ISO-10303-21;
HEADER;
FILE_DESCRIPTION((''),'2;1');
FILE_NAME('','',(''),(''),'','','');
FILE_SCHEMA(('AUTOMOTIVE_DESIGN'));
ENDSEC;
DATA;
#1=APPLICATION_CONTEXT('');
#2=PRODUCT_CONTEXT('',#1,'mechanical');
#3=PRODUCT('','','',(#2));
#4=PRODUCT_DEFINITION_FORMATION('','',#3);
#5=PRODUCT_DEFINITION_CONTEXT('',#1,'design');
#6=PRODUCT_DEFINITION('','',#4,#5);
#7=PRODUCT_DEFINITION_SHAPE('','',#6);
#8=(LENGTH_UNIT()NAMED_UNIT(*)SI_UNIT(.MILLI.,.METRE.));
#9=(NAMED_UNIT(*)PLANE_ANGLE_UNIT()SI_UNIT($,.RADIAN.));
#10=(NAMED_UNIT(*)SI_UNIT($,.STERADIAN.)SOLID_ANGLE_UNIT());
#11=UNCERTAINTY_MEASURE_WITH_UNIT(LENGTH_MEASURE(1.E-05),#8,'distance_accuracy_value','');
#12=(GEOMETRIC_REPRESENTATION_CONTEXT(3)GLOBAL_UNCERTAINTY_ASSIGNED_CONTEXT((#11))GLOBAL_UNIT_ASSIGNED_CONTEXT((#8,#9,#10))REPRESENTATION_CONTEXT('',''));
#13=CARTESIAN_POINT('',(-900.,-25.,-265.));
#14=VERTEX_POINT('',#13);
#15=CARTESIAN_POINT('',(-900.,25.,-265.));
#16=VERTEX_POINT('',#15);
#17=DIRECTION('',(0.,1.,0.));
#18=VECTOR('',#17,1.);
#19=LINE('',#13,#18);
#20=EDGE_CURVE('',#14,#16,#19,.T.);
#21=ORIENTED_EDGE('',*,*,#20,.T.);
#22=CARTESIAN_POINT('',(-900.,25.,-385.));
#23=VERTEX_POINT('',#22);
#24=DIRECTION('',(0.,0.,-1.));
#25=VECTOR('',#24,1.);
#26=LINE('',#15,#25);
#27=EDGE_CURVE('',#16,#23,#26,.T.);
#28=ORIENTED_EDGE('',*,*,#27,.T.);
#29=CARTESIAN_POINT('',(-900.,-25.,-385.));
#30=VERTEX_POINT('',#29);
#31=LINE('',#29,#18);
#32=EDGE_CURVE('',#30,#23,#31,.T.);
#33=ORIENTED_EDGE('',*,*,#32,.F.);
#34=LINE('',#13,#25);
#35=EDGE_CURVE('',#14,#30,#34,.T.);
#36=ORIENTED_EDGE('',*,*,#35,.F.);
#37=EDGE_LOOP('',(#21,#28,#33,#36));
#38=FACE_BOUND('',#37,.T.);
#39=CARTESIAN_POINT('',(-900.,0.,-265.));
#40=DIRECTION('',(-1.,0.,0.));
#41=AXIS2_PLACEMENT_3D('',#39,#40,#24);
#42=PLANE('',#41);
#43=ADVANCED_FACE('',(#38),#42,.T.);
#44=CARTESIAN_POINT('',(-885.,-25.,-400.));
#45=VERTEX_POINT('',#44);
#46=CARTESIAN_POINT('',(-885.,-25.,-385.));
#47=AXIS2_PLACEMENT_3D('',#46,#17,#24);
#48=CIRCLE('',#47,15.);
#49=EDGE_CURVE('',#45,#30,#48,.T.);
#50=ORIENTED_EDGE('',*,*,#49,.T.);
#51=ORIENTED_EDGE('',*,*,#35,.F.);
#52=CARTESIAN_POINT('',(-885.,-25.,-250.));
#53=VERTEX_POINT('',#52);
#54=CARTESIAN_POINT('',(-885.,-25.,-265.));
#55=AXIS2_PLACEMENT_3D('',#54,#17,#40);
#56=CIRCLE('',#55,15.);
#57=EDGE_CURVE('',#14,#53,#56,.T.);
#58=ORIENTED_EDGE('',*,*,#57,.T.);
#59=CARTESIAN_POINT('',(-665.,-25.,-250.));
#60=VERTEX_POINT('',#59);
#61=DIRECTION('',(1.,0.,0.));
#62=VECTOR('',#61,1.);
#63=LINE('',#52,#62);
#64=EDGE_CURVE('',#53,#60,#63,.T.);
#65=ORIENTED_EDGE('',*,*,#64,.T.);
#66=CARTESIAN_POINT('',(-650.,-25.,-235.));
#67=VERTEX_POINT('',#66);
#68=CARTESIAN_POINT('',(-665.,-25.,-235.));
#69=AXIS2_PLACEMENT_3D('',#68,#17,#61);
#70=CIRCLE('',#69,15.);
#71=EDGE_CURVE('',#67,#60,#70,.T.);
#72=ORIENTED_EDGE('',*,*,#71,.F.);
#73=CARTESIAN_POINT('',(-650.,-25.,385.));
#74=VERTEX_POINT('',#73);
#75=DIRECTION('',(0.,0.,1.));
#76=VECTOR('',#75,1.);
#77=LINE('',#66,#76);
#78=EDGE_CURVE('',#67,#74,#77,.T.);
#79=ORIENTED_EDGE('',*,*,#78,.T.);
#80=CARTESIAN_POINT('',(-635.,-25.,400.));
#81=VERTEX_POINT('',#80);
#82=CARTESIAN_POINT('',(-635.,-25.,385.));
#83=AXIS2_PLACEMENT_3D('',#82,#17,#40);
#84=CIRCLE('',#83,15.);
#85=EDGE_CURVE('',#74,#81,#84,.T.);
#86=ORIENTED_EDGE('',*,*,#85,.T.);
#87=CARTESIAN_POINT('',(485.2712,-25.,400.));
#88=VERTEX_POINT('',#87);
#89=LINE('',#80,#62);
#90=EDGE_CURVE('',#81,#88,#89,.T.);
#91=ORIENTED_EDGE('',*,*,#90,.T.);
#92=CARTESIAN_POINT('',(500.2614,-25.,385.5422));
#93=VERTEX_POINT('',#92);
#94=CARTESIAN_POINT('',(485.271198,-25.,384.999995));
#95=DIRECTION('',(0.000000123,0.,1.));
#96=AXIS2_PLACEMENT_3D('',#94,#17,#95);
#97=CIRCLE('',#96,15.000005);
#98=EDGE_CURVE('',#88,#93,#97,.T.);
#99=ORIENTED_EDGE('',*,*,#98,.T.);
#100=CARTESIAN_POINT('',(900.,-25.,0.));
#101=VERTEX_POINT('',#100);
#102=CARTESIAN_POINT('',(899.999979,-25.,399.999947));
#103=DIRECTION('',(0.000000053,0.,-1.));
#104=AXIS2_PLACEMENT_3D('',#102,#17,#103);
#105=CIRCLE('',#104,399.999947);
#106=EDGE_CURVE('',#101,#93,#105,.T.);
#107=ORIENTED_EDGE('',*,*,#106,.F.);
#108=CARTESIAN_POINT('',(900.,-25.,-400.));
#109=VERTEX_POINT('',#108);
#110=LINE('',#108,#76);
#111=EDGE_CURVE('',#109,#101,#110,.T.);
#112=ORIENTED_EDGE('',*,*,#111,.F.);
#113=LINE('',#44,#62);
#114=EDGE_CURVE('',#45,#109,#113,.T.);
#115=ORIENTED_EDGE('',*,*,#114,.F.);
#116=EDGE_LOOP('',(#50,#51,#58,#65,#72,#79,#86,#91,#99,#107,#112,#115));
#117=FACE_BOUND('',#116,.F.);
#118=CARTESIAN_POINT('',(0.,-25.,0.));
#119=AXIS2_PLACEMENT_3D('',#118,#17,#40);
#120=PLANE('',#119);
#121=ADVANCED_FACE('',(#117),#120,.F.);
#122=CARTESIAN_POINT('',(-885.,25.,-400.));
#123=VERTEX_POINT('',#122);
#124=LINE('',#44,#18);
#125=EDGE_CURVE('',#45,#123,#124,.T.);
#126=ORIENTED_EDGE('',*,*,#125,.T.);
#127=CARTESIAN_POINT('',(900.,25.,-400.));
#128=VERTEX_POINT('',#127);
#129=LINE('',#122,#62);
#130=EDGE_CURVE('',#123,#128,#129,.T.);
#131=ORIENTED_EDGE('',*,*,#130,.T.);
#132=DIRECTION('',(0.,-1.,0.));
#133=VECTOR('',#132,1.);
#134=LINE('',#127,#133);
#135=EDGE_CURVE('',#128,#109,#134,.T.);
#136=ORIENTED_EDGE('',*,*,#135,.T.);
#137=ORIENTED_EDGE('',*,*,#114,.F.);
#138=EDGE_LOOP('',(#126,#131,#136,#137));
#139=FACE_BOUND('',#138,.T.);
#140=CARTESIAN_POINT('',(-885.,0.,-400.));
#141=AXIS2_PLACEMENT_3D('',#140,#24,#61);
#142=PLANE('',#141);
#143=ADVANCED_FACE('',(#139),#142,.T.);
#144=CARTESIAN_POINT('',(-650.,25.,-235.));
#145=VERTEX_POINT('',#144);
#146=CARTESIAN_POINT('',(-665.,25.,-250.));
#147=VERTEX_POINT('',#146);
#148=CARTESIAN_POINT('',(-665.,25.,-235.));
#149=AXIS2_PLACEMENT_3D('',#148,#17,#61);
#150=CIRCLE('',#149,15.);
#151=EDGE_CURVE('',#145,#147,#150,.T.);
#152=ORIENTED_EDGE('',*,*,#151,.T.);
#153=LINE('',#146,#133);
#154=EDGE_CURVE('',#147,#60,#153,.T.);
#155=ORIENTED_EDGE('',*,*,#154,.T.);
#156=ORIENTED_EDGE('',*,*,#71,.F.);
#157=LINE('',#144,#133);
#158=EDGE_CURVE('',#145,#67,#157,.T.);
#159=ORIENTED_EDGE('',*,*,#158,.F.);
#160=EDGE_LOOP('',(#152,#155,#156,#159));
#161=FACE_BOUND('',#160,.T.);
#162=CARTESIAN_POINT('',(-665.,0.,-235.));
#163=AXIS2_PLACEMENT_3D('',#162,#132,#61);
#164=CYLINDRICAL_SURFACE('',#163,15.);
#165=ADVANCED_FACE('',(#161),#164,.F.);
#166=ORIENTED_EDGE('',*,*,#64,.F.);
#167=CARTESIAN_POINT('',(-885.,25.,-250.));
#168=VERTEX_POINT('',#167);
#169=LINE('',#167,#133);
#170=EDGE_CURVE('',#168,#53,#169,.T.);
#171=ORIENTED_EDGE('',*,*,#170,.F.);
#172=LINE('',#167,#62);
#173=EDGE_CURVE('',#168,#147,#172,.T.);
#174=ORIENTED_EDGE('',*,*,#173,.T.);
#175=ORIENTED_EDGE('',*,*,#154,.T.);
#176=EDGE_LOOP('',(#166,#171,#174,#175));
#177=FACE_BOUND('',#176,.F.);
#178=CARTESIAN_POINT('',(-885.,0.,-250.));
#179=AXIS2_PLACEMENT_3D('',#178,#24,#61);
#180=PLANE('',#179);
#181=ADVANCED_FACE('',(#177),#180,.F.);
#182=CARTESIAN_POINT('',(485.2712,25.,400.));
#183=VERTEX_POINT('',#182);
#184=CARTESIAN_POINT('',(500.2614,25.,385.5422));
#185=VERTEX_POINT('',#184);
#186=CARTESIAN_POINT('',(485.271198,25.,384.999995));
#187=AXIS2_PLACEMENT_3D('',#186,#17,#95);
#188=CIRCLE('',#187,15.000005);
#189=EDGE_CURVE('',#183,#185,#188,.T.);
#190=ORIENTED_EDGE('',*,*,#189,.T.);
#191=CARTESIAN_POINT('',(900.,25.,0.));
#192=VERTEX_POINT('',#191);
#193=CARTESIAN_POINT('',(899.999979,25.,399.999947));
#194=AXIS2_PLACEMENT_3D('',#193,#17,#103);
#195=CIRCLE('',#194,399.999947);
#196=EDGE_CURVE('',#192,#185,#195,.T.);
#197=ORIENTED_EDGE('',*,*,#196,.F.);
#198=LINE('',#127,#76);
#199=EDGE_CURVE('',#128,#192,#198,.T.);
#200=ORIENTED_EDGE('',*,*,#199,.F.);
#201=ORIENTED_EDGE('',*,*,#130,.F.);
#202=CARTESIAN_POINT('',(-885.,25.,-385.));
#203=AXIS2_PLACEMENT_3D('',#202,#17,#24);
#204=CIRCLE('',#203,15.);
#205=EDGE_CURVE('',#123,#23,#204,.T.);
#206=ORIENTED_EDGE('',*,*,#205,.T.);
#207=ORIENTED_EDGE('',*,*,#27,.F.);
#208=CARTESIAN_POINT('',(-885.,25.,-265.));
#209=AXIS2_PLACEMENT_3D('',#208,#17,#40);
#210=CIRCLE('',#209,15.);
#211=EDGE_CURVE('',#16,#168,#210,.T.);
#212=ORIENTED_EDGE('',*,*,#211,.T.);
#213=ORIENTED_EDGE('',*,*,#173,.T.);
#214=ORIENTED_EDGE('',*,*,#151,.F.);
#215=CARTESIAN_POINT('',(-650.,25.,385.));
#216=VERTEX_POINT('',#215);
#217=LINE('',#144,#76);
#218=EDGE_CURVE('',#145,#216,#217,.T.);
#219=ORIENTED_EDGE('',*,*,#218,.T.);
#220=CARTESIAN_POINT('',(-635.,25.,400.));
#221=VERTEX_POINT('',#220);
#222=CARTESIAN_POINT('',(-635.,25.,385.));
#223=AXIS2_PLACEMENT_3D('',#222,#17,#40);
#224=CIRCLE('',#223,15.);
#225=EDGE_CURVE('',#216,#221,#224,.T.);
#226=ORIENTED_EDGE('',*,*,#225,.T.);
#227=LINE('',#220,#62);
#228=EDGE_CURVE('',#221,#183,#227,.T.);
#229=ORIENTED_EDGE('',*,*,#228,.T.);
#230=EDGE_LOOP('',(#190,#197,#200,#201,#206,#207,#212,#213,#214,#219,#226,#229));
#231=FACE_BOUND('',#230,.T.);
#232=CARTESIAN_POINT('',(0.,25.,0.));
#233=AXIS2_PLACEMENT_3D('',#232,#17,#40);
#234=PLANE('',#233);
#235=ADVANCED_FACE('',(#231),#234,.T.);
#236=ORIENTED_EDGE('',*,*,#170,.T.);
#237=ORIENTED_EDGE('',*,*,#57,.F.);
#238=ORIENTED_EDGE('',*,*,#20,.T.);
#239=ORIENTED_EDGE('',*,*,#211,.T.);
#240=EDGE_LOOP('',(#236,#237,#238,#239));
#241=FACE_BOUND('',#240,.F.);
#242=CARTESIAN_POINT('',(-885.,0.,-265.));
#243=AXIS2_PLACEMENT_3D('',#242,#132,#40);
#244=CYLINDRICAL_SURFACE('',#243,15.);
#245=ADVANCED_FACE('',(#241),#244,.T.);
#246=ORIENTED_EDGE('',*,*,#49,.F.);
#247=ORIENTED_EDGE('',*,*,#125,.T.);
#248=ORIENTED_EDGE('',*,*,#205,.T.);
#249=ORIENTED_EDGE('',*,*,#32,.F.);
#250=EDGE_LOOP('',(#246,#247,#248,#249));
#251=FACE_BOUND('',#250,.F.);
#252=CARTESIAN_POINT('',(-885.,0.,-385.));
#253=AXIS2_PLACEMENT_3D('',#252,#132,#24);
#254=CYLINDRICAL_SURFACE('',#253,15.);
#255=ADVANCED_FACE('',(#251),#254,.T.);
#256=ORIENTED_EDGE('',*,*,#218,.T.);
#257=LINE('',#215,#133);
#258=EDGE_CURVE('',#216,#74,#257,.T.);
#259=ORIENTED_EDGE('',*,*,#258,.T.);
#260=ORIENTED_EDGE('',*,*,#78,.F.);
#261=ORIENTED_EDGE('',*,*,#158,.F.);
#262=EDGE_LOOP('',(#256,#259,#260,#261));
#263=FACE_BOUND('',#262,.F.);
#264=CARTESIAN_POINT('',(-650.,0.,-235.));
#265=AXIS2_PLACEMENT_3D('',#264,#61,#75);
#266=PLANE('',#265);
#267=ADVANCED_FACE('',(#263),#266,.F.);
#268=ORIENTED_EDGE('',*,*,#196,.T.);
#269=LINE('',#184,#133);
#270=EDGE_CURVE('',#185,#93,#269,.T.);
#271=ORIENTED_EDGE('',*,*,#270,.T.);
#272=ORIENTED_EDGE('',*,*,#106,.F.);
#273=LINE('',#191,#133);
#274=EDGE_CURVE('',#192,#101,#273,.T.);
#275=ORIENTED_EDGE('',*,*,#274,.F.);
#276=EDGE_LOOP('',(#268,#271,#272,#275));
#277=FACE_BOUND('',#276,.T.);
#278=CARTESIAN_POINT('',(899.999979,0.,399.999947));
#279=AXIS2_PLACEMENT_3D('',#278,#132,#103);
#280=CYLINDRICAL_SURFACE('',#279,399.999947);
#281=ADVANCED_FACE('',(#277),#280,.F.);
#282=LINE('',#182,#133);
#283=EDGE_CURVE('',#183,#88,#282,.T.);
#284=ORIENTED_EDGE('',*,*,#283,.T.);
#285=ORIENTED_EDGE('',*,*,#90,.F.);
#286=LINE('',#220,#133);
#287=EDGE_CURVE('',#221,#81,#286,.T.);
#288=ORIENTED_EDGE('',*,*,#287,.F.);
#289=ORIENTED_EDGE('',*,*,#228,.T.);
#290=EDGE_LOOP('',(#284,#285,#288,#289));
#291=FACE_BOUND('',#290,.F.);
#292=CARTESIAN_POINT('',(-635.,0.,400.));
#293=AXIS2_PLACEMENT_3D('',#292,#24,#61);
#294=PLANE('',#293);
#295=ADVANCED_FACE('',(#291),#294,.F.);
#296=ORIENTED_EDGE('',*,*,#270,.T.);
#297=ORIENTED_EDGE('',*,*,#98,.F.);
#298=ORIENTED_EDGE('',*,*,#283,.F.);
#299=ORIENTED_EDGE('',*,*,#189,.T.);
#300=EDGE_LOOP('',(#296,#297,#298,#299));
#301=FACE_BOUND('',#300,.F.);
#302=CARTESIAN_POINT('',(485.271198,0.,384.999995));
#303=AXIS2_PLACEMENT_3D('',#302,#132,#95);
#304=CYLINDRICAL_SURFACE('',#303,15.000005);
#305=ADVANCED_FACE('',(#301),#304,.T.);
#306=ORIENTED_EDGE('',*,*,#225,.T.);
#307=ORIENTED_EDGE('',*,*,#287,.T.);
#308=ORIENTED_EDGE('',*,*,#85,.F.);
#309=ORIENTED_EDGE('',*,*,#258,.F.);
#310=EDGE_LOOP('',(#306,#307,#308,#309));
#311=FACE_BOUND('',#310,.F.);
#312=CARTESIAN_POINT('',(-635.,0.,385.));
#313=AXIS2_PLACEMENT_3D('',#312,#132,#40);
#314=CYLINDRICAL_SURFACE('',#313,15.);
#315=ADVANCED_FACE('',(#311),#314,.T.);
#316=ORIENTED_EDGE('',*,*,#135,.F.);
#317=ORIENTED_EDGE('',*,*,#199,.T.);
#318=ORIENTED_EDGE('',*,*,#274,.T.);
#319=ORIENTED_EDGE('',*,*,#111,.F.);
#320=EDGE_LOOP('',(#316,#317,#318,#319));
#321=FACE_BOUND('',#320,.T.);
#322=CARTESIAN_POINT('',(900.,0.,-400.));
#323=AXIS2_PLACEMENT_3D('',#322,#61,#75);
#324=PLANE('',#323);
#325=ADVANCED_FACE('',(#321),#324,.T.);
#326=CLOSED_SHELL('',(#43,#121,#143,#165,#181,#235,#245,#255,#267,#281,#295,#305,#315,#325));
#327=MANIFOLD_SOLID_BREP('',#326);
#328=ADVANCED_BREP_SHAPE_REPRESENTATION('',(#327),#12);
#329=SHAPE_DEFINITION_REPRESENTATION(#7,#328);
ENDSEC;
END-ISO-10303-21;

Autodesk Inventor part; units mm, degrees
ref_plane "YZ Plane" through (0, 0, 0) normal (1, 0, 0) x (0, 1, 0)
ref_plane "XZ Plane" through (0, 0, 0) normal (0, 1, 0) x (-1, 0, 0)
ref_plane "XY Plane" through (0, 0, 0) normal (0, 0, 1) x (1, 0, 0)
sketch "Esboço1" plane through (0, 0, 0) normal (0, 1, 0) x (-1, 0, 0)
  line L0 (-900, 400) -> (900, 400) construction
  line L1 (900, 400) -> (900, -400) construction
  line L2 (900, -400) -> (-900, -400) construction
  line L3 (-900, -400) -> (-900, 400) construction
  line L4 (-900, 400) -> (900, -400) construction
  line L5 (900, 400) -> (-900, -400) construction
  line L6 (900, -250) -> (650, -250) construction
  line L7 (650, -250) -> (650, 400) construction
  arc A0 (885, -400) -> (900, -385) centre (885, -385) ccw
  arc A1 (650, -235) -> (665, -250) centre (665, -235) ccw
  line L8 (885, -400) -> (-900, -400)
  line L9 (900, -385) -> (900, -250) construction
  line L10 (900, -250) -> (665, -250) construction
  line L11 (-900, -400) -> (-1700, -400) construction
  line L12 (-1700, -400) -> (-1700, 1400) construction
  line L13 (-1700, 1400) -> (-900, 1400) construction
  line L14 (-900, 1400) -> (-900, -400) construction
  circle A2 centre (-900, 400) radius 400 construction
  line L15 (900, 0) -> (-900, 0) construction
  line L16 (-1300, 1400) -> (-1300, -404.7673) construction
  arc A3 (-485.2712, 400) -> (-500.2614, 385.5422) centre (-485.2712, 385) ccw
  line L17 (650, -235) -> (650, 385)
  arc A4 (650, 385) -> (635, 400) centre (635, 385) ccw
  line L18 (635, 400) -> (-485.2712, 400)
  arc A5 (-900, 0) -> (-500.2614, 385.5422) centre (-900, 400) ccw
  line L19 (-900, -400) -> (-900, 0)
  arc A6 (900, -265) -> (885, -250) centre (885, -265) ccw
  line L20 (900, -265) -> (900, -385)
  line L21 (885, -250) -> (665, -250)
  point P0 (0, 0)
  dimension "d11" = 800
  dimension "d0" = 800
  dimension "d1" = 1800
  dimension "d3" = 650
  dimension "d5" = 15
  dimension "d6" = 800
  dimension "d7" = 1800
  dimension "d9" = 250
  dimension "d13" = 400
  dimension "d14" = 400
  dimension "d15" = 400
sketch "Esboço3" plane through (0, 0, 0) normal (0, 1, 0) x (-1, 0, 0)
  line L0 (-900, 400) -> (900, 400) construction
  line L1 (900, 400) -> (900, -400) construction
  line L2 (900, -400) -> (-900, -400) construction
  line L3 (-900, -400) -> (-900, 400) construction
  line L4 (-900, 400) -> (900, -400) construction
  line L5 (900, 400) -> (-900, -400) construction
  arc A0 (-900, -350) -> (-850, -400) centre (-850, -350) ccw
  arc A1 (850, -400) -> (900, -350) centre (850, -350) ccw
  line L6 (900, 0) -> (-900, 0) construction
  line L7 (700, 400) -> (700, 0) construction
  line L8 (850, -400) -> (-850, -400)
  line L9 (900, -350) -> (900, 400)
  line L10 (-900, -350) -> (-900, -350)
  line L11 (-900, -309.491) -> (-900, -350)
  arc A2 (-850, 400) -> (-900, 350) centre (-850, 350) ccw
  line L12 (-900, -309.491) -> (-900, 350)
  circle A3 centre (300, 400) radius 400 construction
  arc A4 (-97.5232, 355.5556) -> (-147.2136, 400) centre (-147.2136, 350) ccw
  line L13 (900, 400) -> (700, 400)
  line L14 (-147.2136, 400) -> (-850, 400)
  arc A5 (-97.5232, 355.5556) -> (700, 400) centre (300, 400) ccw
  point P0 (0, 0)
  point P1 (-498.6068, 400)
  dimension "d16" = 1800
  dimension "d17" = 800
  dimension "d19" = 200
  dimension "d20" = 50
  dimension "d21" = 800
extrude "Extrusão1" add sketch "Esboço1" along normal mid plane 50
equation "\"d6\" = d0"
equation "\"d7\" = d1"
properties part number "Lado Esquerdo Mesa"
